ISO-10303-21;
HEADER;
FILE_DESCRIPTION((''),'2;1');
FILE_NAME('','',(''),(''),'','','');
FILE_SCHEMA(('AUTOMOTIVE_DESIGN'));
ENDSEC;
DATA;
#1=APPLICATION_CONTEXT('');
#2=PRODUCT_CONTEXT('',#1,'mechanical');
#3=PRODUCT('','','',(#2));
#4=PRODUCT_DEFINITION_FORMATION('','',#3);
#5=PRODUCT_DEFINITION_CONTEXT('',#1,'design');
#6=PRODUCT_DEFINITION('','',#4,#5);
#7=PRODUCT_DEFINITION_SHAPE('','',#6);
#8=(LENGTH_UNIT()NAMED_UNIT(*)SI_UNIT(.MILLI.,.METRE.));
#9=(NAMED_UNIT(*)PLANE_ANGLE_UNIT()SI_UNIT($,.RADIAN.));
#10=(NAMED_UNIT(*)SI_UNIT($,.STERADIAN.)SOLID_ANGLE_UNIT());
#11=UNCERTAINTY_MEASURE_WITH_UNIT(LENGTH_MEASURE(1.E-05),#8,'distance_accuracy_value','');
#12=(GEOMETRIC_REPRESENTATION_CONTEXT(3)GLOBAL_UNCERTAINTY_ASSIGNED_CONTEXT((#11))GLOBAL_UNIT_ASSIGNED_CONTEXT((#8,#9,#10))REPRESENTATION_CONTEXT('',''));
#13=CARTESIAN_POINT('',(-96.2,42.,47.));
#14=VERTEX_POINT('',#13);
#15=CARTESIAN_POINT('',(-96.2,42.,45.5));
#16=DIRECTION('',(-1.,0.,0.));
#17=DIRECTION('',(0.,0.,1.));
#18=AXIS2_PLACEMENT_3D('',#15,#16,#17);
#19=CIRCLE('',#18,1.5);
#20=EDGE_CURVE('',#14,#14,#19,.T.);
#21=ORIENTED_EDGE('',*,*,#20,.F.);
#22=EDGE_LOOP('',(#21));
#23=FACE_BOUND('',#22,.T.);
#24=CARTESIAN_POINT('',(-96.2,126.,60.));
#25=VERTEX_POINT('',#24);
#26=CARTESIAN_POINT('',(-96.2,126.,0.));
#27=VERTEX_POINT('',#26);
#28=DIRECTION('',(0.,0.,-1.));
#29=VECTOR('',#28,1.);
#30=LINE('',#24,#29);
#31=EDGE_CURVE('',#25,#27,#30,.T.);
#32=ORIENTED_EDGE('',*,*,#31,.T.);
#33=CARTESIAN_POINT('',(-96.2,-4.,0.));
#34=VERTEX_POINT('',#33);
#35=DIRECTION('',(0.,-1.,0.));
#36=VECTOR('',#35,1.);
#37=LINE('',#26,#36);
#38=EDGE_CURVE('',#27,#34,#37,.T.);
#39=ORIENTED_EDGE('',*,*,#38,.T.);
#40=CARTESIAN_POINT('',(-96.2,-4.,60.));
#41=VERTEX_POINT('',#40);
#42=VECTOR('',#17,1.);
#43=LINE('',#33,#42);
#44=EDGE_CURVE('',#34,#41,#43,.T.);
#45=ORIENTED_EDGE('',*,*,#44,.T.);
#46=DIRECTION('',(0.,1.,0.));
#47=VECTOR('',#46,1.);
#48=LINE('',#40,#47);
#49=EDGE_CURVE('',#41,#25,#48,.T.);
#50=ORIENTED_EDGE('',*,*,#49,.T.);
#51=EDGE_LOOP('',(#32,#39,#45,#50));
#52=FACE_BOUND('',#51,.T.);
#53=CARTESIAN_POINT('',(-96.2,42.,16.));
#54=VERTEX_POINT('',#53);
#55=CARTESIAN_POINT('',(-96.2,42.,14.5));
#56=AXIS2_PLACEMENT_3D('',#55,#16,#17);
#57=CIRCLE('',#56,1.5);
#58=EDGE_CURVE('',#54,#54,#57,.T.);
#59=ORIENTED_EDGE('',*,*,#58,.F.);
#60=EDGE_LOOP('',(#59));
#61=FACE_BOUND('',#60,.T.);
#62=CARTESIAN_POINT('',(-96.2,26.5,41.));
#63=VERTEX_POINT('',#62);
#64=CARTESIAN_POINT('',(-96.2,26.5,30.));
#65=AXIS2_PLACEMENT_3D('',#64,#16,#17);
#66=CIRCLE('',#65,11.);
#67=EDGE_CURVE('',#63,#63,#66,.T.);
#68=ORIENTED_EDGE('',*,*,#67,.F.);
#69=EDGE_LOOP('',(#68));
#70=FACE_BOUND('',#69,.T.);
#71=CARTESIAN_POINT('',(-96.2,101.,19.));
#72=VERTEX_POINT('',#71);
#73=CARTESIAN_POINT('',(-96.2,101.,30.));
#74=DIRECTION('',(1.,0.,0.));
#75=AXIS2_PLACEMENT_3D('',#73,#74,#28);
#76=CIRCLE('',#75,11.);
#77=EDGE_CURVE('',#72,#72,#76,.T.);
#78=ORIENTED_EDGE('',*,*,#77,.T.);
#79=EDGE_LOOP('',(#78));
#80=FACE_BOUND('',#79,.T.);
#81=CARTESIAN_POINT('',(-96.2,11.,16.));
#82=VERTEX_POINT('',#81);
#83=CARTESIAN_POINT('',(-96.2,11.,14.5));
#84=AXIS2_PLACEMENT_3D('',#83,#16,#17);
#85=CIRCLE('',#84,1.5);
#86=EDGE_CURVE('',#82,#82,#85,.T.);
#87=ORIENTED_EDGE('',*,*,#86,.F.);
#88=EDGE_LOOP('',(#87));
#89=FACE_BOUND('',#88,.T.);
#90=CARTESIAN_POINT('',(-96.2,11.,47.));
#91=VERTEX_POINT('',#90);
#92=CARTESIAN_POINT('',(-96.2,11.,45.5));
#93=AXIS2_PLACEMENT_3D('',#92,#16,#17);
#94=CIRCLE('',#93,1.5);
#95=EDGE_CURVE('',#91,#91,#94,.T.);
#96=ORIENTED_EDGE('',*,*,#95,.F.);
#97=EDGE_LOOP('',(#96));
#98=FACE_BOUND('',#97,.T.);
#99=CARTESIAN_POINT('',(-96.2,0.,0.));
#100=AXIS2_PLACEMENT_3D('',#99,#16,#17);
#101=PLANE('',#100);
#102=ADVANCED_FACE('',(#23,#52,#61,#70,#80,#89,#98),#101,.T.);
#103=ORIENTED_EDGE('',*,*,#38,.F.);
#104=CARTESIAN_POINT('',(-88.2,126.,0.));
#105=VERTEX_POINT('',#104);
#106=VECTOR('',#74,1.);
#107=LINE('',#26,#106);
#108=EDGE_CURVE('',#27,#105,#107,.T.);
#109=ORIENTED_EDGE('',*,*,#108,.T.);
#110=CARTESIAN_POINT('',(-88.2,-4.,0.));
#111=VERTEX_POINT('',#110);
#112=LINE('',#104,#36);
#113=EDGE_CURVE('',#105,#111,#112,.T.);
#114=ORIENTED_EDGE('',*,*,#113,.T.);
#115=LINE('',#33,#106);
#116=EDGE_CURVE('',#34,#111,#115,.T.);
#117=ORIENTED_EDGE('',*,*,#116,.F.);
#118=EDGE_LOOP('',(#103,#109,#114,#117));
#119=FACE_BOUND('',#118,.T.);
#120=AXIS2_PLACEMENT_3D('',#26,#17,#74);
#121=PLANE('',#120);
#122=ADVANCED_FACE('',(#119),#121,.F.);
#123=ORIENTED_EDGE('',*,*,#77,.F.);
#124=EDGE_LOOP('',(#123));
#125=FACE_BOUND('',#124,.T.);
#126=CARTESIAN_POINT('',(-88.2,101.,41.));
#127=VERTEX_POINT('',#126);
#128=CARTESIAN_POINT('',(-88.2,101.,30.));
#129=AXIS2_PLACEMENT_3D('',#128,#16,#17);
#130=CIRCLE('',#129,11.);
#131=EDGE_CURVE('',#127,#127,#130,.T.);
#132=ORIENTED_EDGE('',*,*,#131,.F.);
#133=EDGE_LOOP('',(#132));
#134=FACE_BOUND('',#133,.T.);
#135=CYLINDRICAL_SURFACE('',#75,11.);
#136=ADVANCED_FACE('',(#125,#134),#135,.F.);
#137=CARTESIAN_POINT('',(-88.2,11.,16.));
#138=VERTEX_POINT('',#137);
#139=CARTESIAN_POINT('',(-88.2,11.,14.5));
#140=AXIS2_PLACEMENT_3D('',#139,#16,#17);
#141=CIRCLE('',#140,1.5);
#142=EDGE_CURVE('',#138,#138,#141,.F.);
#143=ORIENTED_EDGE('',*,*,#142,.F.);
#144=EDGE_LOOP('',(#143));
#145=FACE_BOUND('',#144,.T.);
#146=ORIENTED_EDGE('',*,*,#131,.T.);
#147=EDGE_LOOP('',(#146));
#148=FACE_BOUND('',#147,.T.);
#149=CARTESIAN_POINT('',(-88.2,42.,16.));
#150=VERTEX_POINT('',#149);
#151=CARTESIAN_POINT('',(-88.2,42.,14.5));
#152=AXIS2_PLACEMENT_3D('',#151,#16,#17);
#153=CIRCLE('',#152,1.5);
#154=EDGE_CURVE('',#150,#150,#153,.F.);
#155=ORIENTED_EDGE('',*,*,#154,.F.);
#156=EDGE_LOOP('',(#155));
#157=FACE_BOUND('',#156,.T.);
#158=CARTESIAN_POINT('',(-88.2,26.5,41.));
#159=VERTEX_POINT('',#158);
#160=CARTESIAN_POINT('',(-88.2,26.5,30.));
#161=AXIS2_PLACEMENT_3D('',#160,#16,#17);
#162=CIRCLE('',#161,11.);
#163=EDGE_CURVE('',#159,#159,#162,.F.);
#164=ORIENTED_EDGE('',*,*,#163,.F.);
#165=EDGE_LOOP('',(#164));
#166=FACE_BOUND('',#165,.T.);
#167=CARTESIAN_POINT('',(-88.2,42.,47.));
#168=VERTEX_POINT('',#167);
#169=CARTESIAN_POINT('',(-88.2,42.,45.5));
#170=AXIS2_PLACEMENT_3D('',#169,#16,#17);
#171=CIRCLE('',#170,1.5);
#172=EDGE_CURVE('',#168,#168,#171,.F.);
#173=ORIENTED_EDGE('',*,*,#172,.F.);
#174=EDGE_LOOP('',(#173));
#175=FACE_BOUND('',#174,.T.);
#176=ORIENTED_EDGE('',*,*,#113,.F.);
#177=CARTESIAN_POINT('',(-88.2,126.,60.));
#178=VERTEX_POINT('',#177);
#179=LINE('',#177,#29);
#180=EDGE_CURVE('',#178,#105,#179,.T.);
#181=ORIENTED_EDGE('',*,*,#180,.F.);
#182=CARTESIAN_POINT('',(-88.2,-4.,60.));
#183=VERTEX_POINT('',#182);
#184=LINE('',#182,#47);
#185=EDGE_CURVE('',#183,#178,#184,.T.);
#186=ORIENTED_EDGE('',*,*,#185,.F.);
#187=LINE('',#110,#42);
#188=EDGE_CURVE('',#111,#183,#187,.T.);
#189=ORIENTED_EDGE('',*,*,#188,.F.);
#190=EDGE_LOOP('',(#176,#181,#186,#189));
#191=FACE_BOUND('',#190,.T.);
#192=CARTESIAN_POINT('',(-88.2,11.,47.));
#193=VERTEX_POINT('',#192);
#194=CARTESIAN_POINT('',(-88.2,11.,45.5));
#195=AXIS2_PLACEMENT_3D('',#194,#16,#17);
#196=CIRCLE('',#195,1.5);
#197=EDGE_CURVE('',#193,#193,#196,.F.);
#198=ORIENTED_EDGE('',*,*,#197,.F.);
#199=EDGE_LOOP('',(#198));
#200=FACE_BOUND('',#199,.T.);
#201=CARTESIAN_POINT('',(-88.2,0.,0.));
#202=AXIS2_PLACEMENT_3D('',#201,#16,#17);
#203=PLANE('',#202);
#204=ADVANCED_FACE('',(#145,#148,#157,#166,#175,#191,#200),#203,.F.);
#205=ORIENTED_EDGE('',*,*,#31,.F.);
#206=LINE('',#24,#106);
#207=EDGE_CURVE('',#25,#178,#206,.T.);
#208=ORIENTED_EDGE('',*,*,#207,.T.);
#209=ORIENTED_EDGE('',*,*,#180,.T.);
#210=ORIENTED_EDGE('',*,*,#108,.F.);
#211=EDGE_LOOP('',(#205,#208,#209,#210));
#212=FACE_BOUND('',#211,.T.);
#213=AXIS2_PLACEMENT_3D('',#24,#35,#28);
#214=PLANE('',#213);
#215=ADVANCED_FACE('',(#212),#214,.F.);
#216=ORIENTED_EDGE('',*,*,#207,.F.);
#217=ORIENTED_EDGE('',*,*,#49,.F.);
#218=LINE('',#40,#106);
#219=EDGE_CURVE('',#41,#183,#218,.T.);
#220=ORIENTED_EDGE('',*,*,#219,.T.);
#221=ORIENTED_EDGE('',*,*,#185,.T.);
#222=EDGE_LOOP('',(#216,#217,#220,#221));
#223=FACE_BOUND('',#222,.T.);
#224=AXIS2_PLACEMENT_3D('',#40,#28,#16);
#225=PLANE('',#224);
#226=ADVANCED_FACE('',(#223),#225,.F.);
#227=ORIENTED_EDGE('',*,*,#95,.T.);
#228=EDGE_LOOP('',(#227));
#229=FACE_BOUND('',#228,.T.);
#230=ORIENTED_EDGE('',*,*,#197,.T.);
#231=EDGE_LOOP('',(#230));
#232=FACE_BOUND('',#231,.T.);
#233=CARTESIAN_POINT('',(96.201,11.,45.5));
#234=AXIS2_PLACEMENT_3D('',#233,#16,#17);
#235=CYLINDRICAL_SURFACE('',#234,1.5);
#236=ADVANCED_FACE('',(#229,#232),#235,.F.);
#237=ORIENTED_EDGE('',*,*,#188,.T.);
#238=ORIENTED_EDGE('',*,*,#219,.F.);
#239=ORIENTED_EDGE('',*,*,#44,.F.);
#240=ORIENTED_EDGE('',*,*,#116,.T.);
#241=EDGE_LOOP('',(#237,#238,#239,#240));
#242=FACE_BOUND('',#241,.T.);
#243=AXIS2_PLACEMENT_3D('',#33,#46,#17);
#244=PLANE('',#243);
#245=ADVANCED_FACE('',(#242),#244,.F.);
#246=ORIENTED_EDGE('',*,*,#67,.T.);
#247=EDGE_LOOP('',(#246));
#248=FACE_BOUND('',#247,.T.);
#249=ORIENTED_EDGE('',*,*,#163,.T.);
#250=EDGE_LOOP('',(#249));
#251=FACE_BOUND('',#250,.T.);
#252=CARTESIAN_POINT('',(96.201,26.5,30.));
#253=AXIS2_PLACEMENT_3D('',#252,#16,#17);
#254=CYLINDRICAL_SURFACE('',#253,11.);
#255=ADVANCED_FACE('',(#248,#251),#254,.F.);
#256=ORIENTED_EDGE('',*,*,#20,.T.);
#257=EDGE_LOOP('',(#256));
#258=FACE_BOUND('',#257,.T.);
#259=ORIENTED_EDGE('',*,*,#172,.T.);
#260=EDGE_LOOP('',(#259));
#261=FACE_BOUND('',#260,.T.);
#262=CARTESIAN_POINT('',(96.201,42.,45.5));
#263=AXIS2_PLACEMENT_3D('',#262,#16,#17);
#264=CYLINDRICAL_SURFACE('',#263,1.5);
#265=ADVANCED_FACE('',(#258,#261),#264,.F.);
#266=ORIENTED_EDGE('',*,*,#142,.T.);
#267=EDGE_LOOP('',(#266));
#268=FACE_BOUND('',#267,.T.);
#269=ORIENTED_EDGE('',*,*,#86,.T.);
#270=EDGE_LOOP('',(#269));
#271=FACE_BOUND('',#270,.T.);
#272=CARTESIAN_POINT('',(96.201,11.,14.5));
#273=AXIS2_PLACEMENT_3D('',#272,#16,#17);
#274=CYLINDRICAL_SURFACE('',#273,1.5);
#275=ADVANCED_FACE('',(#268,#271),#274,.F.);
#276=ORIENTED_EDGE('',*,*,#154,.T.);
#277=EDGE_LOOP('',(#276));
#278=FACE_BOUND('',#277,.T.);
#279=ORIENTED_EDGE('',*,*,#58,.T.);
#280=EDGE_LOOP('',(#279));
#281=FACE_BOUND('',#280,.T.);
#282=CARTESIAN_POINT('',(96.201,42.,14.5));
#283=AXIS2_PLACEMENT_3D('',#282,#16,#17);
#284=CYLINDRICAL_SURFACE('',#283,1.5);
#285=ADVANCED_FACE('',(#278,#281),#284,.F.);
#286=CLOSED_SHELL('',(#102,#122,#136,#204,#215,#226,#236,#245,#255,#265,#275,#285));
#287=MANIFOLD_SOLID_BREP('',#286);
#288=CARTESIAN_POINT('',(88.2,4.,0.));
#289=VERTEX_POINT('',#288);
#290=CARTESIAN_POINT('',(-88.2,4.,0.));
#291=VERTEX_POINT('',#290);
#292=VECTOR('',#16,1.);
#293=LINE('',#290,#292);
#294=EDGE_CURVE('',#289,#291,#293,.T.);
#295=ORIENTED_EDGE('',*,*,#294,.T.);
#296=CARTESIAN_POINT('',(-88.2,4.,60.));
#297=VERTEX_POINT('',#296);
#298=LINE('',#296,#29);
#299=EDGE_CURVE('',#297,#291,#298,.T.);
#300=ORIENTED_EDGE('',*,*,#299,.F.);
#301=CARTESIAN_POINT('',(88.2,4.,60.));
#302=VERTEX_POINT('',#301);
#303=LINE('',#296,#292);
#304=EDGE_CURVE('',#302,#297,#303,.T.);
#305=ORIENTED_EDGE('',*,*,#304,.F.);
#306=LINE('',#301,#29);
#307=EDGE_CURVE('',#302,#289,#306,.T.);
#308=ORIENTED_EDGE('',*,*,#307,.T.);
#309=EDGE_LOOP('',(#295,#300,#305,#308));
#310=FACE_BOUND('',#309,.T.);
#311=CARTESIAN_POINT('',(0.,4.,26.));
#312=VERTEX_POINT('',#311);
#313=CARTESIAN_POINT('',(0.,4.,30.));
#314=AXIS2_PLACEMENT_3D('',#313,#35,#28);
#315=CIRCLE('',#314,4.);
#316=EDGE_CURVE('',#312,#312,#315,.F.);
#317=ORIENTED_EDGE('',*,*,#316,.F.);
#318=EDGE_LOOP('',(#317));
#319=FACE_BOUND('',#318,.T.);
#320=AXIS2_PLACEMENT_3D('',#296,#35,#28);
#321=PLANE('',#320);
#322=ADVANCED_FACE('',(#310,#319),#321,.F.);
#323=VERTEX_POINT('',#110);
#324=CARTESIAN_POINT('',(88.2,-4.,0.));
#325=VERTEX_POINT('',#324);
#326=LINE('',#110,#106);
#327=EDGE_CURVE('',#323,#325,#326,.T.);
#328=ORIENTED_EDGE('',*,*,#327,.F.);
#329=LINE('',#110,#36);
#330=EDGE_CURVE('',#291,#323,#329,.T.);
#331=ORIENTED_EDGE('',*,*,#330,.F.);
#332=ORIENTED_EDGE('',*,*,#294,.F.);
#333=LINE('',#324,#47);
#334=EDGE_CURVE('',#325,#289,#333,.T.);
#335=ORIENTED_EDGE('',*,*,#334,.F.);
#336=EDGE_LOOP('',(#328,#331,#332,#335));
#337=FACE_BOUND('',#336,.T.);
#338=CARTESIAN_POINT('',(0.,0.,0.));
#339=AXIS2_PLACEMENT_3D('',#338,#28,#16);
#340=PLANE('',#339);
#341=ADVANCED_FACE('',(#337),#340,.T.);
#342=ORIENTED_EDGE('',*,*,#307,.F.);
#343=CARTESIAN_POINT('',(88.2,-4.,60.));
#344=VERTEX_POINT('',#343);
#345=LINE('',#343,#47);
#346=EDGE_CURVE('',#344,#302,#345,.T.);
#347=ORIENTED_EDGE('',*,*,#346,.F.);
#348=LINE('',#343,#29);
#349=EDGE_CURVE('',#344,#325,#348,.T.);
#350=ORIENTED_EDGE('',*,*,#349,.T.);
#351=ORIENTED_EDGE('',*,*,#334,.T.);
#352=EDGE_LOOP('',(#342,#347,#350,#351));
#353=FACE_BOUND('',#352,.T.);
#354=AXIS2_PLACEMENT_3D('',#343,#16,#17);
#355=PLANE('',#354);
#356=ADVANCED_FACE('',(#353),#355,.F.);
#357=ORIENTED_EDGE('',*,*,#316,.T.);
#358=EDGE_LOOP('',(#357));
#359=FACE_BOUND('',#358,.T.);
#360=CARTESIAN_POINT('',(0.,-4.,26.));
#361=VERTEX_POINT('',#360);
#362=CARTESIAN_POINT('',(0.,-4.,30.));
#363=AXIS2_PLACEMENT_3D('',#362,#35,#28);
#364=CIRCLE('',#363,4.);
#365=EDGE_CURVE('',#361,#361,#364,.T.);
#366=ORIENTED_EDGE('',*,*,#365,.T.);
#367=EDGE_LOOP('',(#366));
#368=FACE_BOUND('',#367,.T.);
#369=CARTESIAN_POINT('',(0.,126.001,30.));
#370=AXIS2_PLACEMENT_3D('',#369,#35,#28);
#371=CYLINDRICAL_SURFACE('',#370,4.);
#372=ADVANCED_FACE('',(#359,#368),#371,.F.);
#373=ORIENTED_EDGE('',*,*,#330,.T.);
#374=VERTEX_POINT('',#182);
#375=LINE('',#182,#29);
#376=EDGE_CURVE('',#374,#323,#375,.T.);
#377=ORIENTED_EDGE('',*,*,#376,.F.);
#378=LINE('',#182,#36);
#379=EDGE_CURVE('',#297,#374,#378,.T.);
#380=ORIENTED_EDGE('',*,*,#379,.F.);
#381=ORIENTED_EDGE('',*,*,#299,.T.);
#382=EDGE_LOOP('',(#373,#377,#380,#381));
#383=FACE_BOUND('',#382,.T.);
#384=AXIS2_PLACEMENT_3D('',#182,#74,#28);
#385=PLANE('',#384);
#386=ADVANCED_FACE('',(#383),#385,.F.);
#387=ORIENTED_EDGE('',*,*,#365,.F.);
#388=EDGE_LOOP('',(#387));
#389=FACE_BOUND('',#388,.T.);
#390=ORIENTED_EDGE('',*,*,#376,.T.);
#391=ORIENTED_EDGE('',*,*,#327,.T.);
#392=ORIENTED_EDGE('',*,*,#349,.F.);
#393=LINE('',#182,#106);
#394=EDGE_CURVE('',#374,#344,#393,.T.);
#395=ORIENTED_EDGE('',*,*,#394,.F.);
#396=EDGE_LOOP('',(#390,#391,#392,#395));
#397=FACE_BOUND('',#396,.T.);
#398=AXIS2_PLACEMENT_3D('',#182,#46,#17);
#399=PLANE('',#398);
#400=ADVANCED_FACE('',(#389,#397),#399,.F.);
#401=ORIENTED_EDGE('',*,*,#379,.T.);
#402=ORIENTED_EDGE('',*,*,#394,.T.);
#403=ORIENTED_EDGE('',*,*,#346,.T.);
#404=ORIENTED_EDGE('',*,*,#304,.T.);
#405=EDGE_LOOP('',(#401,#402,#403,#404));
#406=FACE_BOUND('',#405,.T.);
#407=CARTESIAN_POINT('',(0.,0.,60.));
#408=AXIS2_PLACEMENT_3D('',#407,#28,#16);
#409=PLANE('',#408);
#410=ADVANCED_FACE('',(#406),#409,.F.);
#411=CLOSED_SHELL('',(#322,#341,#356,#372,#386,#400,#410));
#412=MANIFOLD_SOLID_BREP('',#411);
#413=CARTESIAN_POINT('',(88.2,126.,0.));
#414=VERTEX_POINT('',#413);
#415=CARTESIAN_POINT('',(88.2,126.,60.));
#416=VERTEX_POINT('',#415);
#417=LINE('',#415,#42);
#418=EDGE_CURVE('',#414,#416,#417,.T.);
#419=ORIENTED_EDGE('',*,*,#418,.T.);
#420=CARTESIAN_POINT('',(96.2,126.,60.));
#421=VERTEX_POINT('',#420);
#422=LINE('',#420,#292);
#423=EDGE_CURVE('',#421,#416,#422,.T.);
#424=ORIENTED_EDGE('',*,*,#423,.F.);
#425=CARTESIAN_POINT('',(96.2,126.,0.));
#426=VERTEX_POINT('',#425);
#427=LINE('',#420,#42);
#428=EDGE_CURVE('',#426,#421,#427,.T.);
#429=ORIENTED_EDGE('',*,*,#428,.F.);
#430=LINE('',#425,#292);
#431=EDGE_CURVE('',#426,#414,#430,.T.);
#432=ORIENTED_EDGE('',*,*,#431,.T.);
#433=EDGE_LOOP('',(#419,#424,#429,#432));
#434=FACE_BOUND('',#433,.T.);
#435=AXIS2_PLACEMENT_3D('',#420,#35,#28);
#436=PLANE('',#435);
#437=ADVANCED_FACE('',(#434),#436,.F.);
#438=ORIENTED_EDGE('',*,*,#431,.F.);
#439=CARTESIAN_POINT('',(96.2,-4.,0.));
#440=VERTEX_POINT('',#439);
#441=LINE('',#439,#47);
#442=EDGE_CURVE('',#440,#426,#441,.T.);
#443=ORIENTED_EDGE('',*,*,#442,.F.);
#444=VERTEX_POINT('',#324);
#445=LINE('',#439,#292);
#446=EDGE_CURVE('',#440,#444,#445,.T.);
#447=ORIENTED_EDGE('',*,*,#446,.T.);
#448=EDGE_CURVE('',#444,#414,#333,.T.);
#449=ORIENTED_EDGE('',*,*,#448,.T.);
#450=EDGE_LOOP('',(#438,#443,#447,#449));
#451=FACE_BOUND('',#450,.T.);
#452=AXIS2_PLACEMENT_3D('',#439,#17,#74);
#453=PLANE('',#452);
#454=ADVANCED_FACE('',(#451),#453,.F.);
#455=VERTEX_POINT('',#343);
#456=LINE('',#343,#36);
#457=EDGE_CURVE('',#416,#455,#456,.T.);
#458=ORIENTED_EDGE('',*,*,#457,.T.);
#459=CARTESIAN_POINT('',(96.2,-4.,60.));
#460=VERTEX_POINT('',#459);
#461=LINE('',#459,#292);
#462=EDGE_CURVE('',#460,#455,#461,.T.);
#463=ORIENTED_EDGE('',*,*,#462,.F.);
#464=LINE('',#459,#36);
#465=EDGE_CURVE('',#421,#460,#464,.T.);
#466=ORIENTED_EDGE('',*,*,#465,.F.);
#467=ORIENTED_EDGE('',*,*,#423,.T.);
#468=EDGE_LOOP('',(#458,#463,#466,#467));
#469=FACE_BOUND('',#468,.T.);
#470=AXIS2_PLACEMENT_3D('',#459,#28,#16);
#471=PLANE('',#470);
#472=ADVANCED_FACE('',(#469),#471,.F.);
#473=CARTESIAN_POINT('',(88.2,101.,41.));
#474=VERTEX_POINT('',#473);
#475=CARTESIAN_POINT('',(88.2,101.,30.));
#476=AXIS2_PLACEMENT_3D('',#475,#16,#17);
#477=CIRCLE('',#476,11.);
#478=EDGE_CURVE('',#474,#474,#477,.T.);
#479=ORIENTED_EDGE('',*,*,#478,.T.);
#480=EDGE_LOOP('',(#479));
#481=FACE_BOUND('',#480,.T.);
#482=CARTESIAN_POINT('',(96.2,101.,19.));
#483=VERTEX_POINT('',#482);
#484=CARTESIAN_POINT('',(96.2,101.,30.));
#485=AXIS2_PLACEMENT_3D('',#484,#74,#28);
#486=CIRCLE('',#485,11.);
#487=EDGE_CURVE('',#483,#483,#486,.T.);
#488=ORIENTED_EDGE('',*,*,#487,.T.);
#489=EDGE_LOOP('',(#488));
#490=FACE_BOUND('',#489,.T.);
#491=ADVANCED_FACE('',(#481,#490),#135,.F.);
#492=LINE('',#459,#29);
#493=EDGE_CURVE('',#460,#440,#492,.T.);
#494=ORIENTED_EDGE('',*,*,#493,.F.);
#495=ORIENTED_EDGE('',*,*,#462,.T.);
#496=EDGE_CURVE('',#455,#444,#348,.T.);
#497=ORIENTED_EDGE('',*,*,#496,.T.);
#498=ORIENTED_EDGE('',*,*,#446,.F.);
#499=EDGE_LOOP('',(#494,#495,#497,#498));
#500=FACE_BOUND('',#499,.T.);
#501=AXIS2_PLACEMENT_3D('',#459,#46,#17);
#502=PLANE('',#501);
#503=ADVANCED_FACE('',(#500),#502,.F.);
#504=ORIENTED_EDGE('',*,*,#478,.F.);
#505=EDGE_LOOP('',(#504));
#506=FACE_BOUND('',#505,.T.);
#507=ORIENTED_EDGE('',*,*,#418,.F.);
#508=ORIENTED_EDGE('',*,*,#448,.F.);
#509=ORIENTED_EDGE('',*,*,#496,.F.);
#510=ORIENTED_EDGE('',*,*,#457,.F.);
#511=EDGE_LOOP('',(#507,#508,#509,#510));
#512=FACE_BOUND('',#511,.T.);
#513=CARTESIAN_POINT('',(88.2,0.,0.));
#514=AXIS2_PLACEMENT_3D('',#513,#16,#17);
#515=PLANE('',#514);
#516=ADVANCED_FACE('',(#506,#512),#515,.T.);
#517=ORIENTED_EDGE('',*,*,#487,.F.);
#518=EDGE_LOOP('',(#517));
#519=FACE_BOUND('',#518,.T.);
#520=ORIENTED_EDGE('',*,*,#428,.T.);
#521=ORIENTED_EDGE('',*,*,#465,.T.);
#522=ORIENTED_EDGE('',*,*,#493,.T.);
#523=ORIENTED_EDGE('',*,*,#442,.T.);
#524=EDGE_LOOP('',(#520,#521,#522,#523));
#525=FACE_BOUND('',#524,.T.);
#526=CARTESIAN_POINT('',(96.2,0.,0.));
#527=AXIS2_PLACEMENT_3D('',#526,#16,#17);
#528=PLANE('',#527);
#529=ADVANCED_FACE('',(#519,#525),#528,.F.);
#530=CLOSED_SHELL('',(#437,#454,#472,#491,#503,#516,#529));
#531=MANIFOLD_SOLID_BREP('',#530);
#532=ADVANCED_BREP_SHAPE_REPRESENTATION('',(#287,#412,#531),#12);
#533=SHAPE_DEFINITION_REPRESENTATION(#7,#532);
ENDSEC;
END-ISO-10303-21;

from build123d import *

# Parameters (mm, degrees)
SKETCH1_W           = 176.4
SKETCH1_H           = 8
BOSS_EXTRUDE1_DEPTH = 60
SKETCH2_W           = 60
SKETCH2_H           = 130
BOSS_EXTRUDE2_DEPTH = 8
SKETCH3_W           = 60
SKETCH3_H           = 130
BOSS_EXTRUDE3_DEPTH = 8
SKETCH4_R           = 11
CUT_EXTRUDE1_DEPTH  = 238.684160179
SKETCH5_R           = 4
CUT_EXTRUDE2_DEPTH  = 8
SKETCH6_R           = 1.5
SKETCH6_R_2         = 11
CUT_EXTRUDE3_DEPTH  = 8


with BuildPart() as part:
    # Sketch1 → Boss-Extrude1 (new body)
    with BuildSketch(Plane.XY):
        Rectangle(SKETCH1_W, SKETCH1_H)
    extrude(amount=BOSS_EXTRUDE1_DEPTH)

    # Sketch5 → Cut-Extrude2 (cut)
    with BuildSketch(Plane.XZ.offset(4)):
        with Locations(Location((0, 30, 0), (0, 0, 270))):
            Circle(SKETCH5_R)
    extrude(amount=-CUT_EXTRUDE2_DEPTH, mode=Mode.SUBTRACT)


with BuildPart() as body_2:
    # Sketch2 → Boss-Extrude2 (new body)
    with BuildSketch(Plane(origin=(88.2, 0, 0), x_dir=(0, 0, -1), z_dir=(1, 0, 0))):
        with Locations((-30, 61)):
            Rectangle(SKETCH2_W, SKETCH2_H)
    extrude(amount=BOSS_EXTRUDE2_DEPTH)


with BuildPart() as body_3:
    # Sketch3 → Boss-Extrude3 (new body)
    with BuildSketch(Plane.ZY.offset(88.2)):
        with Locations((30, 61)):
            Rectangle(SKETCH3_W, SKETCH3_H)
    extrude(amount=BOSS_EXTRUDE3_DEPTH)


with BuildPart() as cut_extrude1_tool:
    # Sketch4 → Cut-Extrude1 (new, through all)
    with BuildSketch(Plane(origin=(96.2, 0, 0), x_dir=(0, 0, -1), z_dir=(1, 0, 0))):
        with Locations((-30, 101)):
            Circle(SKETCH4_R)
    extrude(amount=-CUT_EXTRUDE1_DEPTH)


with BuildPart() as body_2_1:
    add(body_2.part)

    # Cut-Extrude1: cut by cut_extrude1_tool
    add(cut_extrude1_tool.part, mode=Mode.SUBTRACT)


with BuildPart() as body_3_1:
    add(body_3.part)

    # Cut-Extrude1: cut by cut_extrude1_tool
    add(cut_extrude1_tool.part, mode=Mode.SUBTRACT)

    # Sketch6 → Cut-Extrude3 (cut)
    with BuildSketch(Plane.ZY.offset(96.2)):
        with Locations((14.5, 42)):
            Circle(SKETCH6_R)
        with Locations((45.5, 42)):
            Circle(SKETCH6_R)
        with Locations((45.5, 11)):
            Circle(SKETCH6_R)
        with Locations((14.5, 11)):
            Circle(SKETCH6_R)
        with Locations((30, 26.5)):
            Circle(SKETCH6_R_2)
    extrude(amount=-CUT_EXTRUDE3_DEPTH, mode=Mode.SUBTRACT)


solid = Compound([part.part, body_2_1.part, body_3_1.part])
